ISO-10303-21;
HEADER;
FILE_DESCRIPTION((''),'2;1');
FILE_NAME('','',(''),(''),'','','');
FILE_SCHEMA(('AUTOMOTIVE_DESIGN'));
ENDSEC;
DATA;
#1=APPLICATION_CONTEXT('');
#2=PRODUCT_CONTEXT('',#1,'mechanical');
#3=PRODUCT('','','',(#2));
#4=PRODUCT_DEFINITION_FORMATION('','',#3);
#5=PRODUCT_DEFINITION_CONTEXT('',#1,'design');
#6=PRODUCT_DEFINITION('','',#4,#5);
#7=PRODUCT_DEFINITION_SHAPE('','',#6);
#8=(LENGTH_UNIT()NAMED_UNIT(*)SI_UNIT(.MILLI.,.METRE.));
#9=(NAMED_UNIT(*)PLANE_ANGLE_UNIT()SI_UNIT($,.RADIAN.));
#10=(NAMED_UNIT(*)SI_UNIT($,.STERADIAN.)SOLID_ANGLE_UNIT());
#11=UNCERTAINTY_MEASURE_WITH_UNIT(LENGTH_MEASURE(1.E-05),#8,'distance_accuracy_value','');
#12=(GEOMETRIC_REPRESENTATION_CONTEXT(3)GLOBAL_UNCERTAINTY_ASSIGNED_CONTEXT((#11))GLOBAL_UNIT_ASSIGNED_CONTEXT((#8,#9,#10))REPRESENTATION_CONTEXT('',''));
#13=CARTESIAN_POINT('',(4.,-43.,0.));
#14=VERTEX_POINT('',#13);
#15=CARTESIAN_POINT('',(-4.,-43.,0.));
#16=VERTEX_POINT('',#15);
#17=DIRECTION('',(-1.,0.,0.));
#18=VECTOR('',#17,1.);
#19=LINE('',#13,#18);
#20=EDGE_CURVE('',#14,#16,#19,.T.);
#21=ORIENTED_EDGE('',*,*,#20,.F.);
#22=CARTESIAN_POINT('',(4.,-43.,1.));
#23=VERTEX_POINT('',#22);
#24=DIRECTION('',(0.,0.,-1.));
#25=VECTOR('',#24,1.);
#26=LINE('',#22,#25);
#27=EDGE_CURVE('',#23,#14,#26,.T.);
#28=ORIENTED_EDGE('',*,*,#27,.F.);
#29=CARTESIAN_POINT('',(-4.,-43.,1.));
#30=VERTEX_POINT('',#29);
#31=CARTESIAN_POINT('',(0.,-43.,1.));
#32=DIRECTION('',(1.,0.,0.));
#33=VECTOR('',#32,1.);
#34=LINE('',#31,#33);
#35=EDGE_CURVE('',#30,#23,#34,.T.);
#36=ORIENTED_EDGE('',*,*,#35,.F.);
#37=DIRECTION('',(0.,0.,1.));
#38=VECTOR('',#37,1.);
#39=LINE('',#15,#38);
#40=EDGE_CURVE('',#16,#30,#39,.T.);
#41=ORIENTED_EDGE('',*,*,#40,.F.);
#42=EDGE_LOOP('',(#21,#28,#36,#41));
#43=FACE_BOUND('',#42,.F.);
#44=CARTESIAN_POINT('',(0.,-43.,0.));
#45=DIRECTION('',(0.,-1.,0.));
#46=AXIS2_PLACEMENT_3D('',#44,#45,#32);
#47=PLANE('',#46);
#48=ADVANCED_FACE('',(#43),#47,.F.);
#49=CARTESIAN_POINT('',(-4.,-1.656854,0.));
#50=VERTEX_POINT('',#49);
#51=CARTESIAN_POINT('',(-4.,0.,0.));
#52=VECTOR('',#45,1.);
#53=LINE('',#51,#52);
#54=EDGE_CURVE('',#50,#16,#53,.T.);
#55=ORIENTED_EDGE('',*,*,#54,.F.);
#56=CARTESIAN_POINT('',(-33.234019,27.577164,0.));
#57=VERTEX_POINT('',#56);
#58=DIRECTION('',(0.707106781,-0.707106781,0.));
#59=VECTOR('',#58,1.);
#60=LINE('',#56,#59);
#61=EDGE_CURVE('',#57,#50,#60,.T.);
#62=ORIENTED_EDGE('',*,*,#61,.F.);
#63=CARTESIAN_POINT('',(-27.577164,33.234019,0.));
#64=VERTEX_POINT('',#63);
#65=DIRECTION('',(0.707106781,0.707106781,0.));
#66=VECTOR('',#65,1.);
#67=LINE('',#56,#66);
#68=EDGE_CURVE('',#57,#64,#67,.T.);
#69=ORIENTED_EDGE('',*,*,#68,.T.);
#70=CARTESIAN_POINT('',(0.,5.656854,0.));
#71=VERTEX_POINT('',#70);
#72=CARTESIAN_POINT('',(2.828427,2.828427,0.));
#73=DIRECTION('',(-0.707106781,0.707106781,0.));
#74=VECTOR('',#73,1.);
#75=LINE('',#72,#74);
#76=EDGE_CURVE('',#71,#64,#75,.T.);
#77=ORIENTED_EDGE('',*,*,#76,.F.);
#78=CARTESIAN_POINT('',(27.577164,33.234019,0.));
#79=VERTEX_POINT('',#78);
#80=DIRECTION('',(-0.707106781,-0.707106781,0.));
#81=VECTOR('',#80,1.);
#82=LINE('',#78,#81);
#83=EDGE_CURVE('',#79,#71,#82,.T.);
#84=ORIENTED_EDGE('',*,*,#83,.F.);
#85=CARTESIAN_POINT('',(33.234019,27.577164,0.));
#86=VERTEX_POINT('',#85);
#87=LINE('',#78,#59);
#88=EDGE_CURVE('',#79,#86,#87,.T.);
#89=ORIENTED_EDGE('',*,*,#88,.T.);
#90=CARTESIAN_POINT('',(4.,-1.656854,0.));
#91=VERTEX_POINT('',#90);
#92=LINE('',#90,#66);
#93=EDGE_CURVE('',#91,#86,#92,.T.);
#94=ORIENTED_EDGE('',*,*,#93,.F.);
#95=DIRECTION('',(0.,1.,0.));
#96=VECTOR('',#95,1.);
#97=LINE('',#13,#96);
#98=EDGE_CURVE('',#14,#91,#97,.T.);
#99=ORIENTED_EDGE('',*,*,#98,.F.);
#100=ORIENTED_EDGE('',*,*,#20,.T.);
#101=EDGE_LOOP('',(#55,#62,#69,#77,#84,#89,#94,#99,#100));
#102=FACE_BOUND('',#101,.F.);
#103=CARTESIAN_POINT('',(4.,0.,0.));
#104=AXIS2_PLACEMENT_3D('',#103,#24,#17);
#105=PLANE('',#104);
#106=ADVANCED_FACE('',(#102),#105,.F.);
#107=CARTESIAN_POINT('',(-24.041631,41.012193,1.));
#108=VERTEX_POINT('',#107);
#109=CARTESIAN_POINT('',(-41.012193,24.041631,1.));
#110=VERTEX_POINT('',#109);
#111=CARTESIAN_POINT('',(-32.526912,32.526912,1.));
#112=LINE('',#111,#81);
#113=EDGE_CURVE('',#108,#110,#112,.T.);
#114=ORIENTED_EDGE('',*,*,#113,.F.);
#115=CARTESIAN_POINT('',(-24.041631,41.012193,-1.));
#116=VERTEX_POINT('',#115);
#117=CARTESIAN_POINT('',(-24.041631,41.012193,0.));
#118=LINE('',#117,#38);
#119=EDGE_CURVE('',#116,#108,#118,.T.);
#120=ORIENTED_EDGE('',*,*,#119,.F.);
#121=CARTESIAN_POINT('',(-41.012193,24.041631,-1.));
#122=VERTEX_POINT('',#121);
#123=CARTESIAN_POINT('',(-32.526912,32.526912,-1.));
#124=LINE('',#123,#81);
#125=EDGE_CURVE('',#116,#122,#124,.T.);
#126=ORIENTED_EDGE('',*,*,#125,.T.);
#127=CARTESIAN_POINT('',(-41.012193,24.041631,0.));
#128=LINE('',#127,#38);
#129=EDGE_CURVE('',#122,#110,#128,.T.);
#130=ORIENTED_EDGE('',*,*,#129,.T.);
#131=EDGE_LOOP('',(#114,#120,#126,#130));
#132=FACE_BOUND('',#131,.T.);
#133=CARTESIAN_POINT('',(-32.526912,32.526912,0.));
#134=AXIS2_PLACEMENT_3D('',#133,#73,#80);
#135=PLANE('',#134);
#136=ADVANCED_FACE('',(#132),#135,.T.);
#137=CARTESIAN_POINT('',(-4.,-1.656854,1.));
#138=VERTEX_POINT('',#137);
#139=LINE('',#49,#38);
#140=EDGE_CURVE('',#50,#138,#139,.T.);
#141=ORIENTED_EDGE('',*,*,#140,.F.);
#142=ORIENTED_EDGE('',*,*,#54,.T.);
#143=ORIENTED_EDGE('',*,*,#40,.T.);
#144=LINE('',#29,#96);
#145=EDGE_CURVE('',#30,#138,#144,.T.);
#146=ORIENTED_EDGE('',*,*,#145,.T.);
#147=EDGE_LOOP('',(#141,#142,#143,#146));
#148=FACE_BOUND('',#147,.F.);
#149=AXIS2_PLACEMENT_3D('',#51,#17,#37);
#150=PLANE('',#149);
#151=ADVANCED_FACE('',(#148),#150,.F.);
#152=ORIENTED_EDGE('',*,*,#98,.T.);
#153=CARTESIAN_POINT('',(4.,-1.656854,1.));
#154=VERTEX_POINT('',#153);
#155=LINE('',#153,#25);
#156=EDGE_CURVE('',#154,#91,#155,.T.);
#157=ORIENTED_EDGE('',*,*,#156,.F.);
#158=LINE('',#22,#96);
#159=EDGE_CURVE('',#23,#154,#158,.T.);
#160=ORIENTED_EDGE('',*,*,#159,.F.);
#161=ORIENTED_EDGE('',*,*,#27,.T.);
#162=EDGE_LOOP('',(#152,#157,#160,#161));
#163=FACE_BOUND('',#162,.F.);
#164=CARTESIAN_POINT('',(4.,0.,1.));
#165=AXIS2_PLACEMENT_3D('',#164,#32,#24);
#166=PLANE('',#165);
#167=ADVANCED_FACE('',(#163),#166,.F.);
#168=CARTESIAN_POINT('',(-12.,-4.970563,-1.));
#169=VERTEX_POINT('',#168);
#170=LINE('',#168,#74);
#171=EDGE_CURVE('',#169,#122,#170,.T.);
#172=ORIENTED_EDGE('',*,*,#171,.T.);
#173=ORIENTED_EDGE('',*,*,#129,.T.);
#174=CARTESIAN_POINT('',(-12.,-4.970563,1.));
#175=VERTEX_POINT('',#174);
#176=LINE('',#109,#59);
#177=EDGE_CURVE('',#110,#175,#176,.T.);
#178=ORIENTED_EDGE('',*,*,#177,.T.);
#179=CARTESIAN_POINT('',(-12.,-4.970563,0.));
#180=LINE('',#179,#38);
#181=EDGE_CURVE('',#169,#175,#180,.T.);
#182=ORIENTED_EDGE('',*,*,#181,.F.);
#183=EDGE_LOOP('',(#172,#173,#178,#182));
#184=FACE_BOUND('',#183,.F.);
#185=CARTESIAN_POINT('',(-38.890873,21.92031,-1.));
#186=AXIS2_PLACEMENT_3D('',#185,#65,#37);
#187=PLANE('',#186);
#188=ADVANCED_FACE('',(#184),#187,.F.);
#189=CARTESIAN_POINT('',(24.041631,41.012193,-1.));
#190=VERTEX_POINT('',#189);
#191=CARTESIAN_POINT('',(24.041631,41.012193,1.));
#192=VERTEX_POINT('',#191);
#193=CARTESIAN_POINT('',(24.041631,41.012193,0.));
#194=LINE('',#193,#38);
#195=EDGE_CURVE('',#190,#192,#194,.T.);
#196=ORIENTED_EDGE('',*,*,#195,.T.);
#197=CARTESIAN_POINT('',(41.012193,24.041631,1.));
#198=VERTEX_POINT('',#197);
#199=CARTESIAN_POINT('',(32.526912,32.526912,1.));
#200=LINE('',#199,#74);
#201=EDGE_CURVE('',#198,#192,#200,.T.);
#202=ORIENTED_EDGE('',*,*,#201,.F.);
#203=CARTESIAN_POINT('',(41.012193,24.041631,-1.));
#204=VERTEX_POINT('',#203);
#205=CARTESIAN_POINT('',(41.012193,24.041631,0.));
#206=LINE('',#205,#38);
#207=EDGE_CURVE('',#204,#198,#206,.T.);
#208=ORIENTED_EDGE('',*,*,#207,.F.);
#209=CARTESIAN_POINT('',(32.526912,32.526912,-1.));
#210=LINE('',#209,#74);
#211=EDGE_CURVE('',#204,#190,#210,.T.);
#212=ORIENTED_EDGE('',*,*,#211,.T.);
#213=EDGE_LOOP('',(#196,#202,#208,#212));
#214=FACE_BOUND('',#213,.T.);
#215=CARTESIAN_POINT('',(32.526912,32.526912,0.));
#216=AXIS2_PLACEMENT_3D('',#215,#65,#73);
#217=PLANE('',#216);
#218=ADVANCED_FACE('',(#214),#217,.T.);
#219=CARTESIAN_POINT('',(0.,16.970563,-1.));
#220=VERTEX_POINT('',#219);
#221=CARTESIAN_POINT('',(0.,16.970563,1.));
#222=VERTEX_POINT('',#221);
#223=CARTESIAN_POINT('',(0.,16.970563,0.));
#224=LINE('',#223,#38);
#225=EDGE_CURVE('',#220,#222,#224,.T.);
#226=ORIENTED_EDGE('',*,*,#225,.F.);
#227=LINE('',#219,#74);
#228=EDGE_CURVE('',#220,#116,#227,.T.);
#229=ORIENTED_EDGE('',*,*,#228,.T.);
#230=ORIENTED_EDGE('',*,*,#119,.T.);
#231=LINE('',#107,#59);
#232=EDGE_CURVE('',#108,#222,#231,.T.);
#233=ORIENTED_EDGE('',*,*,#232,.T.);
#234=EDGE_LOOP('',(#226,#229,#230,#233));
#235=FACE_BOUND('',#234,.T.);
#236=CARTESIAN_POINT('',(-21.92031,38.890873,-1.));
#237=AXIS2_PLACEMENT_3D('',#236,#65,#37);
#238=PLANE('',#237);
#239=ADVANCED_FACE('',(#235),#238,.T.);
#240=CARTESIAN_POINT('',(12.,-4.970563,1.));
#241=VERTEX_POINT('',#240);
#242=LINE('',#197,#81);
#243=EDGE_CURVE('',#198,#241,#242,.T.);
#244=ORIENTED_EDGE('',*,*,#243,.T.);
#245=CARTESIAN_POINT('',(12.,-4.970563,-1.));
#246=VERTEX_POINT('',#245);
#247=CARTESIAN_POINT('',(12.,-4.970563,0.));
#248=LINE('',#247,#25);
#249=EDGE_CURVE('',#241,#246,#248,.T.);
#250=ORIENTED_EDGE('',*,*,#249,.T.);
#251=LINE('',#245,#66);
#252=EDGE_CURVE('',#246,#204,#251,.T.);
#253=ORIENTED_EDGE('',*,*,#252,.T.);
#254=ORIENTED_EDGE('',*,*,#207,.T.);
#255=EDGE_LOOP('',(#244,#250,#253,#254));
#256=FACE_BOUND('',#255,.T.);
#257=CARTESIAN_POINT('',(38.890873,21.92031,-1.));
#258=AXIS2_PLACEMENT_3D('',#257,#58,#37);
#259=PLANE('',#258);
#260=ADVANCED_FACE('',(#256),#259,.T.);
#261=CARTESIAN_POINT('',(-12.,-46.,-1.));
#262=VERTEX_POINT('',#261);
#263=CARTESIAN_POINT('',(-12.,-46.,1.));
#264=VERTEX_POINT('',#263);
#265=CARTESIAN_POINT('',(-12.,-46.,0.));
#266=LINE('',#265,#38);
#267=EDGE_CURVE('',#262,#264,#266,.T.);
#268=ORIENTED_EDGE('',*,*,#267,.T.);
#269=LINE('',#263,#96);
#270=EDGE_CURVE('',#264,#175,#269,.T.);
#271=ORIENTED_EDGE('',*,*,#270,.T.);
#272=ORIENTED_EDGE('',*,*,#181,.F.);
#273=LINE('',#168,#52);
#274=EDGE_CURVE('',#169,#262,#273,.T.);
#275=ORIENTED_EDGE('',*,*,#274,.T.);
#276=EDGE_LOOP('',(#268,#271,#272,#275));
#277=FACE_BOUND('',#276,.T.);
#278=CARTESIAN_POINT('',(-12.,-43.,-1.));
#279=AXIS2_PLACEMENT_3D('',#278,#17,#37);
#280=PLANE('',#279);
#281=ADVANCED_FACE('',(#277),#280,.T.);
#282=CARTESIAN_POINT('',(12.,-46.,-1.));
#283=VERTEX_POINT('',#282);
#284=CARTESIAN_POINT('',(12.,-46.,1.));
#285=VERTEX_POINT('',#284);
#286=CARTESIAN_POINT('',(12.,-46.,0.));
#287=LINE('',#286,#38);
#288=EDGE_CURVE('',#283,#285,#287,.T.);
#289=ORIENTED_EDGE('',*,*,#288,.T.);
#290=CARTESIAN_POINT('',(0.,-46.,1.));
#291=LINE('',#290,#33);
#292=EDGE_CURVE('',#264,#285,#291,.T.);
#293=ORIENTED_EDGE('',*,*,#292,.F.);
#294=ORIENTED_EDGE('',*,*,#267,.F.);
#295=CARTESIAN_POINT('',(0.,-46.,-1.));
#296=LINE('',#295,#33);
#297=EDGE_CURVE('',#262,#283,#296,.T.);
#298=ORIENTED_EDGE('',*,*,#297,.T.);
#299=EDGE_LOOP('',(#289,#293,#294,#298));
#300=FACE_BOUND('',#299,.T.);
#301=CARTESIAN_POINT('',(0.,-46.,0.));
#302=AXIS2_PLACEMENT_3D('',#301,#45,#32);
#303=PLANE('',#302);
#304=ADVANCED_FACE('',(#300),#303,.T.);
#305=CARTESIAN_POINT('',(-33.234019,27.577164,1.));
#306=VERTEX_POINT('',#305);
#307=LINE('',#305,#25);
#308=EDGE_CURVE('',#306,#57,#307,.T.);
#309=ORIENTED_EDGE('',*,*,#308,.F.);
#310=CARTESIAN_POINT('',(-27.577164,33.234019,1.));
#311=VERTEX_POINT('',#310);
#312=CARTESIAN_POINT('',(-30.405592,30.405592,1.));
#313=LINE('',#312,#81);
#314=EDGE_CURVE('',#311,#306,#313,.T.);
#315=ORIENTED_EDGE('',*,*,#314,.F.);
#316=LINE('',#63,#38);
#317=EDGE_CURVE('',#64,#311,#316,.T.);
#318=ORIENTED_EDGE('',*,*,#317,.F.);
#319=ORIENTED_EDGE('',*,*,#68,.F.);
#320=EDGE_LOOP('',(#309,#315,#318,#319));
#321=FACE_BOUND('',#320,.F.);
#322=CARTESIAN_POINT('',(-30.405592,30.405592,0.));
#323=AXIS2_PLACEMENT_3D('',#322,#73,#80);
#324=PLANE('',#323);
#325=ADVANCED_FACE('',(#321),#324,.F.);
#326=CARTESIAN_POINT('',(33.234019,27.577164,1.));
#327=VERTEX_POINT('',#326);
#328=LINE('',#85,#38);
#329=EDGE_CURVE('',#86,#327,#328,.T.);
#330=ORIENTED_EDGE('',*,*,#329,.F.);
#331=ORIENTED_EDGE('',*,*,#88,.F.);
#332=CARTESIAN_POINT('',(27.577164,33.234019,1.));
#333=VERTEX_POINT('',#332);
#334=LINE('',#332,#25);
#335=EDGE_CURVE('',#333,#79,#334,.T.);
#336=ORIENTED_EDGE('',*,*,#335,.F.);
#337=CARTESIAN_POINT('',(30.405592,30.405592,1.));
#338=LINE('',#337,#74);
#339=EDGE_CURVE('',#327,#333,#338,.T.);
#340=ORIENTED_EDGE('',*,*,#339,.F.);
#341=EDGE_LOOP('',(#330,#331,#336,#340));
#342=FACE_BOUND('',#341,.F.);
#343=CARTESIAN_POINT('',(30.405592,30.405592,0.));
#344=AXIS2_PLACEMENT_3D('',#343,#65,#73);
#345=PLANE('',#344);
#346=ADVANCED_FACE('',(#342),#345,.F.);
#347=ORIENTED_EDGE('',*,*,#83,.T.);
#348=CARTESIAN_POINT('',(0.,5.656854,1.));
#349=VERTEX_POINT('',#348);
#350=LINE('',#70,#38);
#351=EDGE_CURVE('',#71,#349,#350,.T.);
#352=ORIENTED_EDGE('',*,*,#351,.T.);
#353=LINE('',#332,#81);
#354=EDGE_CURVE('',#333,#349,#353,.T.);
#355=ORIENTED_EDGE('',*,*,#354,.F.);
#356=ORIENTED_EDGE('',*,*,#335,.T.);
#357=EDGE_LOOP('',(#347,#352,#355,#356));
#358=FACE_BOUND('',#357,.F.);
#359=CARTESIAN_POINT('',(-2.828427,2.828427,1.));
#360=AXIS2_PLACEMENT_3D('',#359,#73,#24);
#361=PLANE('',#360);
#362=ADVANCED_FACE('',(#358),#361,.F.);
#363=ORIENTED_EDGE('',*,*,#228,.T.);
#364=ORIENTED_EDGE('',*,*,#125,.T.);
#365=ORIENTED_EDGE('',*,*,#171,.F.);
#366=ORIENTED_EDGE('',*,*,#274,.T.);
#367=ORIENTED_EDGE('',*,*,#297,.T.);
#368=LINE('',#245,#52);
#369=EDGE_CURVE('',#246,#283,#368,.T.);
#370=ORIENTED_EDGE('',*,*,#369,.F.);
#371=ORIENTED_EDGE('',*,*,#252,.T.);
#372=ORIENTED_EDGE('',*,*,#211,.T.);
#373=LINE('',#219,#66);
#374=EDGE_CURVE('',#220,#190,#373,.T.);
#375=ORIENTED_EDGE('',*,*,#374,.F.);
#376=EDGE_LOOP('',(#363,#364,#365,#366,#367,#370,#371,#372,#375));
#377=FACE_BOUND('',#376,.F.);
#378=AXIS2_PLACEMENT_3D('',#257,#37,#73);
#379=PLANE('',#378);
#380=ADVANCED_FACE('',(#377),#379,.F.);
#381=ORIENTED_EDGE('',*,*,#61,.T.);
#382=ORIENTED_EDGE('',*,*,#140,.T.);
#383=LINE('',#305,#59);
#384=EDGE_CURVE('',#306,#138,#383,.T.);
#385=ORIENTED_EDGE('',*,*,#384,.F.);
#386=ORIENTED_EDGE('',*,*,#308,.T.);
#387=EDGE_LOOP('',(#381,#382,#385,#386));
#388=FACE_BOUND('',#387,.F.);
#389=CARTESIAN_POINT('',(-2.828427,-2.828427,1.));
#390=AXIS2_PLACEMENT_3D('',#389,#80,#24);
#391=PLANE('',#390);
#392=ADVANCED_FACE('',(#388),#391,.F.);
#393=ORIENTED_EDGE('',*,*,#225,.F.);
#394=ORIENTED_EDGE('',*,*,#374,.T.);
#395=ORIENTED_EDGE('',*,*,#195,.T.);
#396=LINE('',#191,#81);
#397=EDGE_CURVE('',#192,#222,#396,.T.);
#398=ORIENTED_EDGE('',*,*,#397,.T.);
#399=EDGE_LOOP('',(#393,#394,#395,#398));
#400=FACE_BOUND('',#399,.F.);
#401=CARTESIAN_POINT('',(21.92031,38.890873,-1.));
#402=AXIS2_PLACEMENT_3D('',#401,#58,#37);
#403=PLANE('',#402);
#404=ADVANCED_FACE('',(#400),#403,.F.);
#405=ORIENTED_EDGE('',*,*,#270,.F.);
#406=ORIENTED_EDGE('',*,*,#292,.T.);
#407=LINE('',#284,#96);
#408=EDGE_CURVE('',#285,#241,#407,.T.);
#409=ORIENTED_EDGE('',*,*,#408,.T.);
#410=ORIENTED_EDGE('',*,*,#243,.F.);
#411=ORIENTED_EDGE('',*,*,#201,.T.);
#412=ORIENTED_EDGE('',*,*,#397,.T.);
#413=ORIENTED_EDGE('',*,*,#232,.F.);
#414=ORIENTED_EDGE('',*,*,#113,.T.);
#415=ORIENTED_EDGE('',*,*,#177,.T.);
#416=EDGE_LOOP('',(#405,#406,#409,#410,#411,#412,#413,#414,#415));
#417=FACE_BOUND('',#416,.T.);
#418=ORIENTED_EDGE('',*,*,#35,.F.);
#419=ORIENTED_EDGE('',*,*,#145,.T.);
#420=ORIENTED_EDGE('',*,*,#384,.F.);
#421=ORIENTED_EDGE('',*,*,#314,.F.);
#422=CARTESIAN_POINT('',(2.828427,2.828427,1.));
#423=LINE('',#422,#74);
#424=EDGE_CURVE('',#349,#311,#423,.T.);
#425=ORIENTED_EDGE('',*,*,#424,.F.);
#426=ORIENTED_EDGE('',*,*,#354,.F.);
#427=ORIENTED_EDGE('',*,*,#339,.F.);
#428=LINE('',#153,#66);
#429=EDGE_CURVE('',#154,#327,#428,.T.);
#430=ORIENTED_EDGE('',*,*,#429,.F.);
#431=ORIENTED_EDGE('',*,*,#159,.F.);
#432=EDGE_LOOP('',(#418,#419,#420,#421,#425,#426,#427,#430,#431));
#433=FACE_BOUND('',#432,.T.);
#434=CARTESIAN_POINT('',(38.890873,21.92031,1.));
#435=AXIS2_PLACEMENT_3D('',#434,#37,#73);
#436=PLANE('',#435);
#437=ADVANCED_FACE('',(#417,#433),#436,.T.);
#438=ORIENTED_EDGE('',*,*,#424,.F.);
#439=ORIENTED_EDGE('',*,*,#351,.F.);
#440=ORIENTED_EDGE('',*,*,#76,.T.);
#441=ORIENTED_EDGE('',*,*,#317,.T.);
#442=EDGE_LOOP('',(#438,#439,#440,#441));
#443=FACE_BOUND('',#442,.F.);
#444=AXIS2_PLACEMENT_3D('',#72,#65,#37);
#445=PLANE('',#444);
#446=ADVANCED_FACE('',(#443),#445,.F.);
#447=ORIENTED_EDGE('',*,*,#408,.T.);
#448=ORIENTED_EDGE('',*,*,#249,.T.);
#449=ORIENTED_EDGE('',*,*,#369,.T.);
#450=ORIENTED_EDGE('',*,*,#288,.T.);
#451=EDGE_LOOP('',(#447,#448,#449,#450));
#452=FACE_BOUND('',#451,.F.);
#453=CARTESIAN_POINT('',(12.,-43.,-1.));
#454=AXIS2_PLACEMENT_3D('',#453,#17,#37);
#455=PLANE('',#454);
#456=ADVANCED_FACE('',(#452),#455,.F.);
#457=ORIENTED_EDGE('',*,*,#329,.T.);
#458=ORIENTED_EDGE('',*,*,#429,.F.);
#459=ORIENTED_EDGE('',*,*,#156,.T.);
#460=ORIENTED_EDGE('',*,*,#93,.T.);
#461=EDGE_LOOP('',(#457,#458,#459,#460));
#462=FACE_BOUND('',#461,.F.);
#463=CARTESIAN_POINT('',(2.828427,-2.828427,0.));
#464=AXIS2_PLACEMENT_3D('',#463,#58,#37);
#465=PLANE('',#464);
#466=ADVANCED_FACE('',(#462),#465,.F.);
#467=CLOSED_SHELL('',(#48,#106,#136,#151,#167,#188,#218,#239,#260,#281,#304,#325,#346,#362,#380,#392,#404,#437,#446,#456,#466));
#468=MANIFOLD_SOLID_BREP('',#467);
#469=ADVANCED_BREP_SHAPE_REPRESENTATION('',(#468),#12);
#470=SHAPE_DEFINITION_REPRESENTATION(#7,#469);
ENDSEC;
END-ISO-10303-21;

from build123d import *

# Parameters (mm, degrees)
F1_DEPTH  = 43
F6_DEPTH  = 43
F8_DEPTH  = 43
F10_DEPTH = 43
F12_DEPTH = 43
F14_DEPTH = 43
F15_W     = 24
F15_H     = 2
F16_DEPTH = 3
F17_W     = 24
F17_H     = 2
F18_DEPTH = 3
F19_W     = 24
F19_H     = 2
F20_DEPTH = 3


with BuildPart() as f1:
    # F0 (on Front) → F1 (new body)
    with BuildSketch(Plane.XZ):
        Polygon((4, 0), (0, 0), (-4, 0), (-4, 1), (-12, 1), (-12, -1), (12, -1), (12, 1), (4, 1), align=None)
    extrude(amount=F1_DEPTH)

    # F5 (on face) → F6 (join)
    with BuildSketch(Plane(origin=(0, 0, 0), x_dir=(-0.7071067812, -0.7071067812, 0), z_dir=(-0.7071067812, 0.7071067812, 0))):
        Polygon((4, 0), (0, 0), (-4, 0), (-4, 1), (-12, 1), (-12, -1), (12, -1), (12, 1), (4, 1), align=None)
    extrude(amount=F6_DEPTH)

    # F7 (on face) → F8 (join)
    with BuildSketch(Plane(origin=(0, 0, 0), x_dir=(-0.7071067812, 0.7071067812, 0), z_dir=(0.7071067812, 0.7071067812, 0))):
        Polygon((4, 0), (0, 0), (-4, 0), (-4, 1), (-12, 1), (-12, -1), (12, -1), (12, 1), (4, 1), align=None)
    extrude(amount=F8_DEPTH)

    # F9 (on face) → F10 (cut)
    with BuildSketch(Plane.XZ.offset(43)):
        Polygon((-4, 0), (0, 0), (4, 0), (4, 1), (-4, 1), align=None)
    extrude(amount=-F10_DEPTH, mode=Mode.SUBTRACT)

    # F11 (on face) → F12 (cut)
    with BuildSketch(Plane(origin=(-30.405591591, 30.405591591, 0), x_dir=(-0.7071067812, -0.7071067812, 0), z_dir=(-0.7071067812, 0.7071067812, 0))):
        Polygon((-4, 0), (0, 0), (4, 0), (4, 1), (-4, 1), align=None)
    extrude(amount=-F12_DEPTH, mode=Mode.SUBTRACT)

    # F13 (on face) → F14 (cut)
    with BuildSketch(Plane(origin=(30.405591591, 30.405591591, 0), x_dir=(-0.7071067812, 0.7071067812, 0), z_dir=(0.7071067812, 0.7071067812, 0))):
        Polygon((-4, 0), (0, 0), (4, 0), (4, 1), (-4, 1), align=None)
    extrude(amount=-F14_DEPTH, mode=Mode.SUBTRACT)

    # F15 (on face) → F16 (join)
    with BuildSketch(Plane.XZ.offset(43)):
        Rectangle(F15_W, F15_H)
    extrude(amount=F16_DEPTH)

    # F17 (on face) → F18 (join)
    with BuildSketch(Plane(origin=(-30.405591591, 30.405591591, 0), x_dir=(-0.7071067812, -0.7071067812, 0), z_dir=(-0.7071067812, 0.7071067812, 0))):
        Rectangle(F17_W, F17_H)
    extrude(amount=F18_DEPTH)

    # F19 (on face) → F20 (join)
    with BuildSketch(Plane(origin=(30.405591591, 30.405591591, 0), x_dir=(-0.7071067812, 0.7071067812, 0), z_dir=(0.7071067812, 0.7071067812, 0))):
        Rectangle(F19_W, F19_H)
    extrude(amount=F20_DEPTH)


solid = f1.part
